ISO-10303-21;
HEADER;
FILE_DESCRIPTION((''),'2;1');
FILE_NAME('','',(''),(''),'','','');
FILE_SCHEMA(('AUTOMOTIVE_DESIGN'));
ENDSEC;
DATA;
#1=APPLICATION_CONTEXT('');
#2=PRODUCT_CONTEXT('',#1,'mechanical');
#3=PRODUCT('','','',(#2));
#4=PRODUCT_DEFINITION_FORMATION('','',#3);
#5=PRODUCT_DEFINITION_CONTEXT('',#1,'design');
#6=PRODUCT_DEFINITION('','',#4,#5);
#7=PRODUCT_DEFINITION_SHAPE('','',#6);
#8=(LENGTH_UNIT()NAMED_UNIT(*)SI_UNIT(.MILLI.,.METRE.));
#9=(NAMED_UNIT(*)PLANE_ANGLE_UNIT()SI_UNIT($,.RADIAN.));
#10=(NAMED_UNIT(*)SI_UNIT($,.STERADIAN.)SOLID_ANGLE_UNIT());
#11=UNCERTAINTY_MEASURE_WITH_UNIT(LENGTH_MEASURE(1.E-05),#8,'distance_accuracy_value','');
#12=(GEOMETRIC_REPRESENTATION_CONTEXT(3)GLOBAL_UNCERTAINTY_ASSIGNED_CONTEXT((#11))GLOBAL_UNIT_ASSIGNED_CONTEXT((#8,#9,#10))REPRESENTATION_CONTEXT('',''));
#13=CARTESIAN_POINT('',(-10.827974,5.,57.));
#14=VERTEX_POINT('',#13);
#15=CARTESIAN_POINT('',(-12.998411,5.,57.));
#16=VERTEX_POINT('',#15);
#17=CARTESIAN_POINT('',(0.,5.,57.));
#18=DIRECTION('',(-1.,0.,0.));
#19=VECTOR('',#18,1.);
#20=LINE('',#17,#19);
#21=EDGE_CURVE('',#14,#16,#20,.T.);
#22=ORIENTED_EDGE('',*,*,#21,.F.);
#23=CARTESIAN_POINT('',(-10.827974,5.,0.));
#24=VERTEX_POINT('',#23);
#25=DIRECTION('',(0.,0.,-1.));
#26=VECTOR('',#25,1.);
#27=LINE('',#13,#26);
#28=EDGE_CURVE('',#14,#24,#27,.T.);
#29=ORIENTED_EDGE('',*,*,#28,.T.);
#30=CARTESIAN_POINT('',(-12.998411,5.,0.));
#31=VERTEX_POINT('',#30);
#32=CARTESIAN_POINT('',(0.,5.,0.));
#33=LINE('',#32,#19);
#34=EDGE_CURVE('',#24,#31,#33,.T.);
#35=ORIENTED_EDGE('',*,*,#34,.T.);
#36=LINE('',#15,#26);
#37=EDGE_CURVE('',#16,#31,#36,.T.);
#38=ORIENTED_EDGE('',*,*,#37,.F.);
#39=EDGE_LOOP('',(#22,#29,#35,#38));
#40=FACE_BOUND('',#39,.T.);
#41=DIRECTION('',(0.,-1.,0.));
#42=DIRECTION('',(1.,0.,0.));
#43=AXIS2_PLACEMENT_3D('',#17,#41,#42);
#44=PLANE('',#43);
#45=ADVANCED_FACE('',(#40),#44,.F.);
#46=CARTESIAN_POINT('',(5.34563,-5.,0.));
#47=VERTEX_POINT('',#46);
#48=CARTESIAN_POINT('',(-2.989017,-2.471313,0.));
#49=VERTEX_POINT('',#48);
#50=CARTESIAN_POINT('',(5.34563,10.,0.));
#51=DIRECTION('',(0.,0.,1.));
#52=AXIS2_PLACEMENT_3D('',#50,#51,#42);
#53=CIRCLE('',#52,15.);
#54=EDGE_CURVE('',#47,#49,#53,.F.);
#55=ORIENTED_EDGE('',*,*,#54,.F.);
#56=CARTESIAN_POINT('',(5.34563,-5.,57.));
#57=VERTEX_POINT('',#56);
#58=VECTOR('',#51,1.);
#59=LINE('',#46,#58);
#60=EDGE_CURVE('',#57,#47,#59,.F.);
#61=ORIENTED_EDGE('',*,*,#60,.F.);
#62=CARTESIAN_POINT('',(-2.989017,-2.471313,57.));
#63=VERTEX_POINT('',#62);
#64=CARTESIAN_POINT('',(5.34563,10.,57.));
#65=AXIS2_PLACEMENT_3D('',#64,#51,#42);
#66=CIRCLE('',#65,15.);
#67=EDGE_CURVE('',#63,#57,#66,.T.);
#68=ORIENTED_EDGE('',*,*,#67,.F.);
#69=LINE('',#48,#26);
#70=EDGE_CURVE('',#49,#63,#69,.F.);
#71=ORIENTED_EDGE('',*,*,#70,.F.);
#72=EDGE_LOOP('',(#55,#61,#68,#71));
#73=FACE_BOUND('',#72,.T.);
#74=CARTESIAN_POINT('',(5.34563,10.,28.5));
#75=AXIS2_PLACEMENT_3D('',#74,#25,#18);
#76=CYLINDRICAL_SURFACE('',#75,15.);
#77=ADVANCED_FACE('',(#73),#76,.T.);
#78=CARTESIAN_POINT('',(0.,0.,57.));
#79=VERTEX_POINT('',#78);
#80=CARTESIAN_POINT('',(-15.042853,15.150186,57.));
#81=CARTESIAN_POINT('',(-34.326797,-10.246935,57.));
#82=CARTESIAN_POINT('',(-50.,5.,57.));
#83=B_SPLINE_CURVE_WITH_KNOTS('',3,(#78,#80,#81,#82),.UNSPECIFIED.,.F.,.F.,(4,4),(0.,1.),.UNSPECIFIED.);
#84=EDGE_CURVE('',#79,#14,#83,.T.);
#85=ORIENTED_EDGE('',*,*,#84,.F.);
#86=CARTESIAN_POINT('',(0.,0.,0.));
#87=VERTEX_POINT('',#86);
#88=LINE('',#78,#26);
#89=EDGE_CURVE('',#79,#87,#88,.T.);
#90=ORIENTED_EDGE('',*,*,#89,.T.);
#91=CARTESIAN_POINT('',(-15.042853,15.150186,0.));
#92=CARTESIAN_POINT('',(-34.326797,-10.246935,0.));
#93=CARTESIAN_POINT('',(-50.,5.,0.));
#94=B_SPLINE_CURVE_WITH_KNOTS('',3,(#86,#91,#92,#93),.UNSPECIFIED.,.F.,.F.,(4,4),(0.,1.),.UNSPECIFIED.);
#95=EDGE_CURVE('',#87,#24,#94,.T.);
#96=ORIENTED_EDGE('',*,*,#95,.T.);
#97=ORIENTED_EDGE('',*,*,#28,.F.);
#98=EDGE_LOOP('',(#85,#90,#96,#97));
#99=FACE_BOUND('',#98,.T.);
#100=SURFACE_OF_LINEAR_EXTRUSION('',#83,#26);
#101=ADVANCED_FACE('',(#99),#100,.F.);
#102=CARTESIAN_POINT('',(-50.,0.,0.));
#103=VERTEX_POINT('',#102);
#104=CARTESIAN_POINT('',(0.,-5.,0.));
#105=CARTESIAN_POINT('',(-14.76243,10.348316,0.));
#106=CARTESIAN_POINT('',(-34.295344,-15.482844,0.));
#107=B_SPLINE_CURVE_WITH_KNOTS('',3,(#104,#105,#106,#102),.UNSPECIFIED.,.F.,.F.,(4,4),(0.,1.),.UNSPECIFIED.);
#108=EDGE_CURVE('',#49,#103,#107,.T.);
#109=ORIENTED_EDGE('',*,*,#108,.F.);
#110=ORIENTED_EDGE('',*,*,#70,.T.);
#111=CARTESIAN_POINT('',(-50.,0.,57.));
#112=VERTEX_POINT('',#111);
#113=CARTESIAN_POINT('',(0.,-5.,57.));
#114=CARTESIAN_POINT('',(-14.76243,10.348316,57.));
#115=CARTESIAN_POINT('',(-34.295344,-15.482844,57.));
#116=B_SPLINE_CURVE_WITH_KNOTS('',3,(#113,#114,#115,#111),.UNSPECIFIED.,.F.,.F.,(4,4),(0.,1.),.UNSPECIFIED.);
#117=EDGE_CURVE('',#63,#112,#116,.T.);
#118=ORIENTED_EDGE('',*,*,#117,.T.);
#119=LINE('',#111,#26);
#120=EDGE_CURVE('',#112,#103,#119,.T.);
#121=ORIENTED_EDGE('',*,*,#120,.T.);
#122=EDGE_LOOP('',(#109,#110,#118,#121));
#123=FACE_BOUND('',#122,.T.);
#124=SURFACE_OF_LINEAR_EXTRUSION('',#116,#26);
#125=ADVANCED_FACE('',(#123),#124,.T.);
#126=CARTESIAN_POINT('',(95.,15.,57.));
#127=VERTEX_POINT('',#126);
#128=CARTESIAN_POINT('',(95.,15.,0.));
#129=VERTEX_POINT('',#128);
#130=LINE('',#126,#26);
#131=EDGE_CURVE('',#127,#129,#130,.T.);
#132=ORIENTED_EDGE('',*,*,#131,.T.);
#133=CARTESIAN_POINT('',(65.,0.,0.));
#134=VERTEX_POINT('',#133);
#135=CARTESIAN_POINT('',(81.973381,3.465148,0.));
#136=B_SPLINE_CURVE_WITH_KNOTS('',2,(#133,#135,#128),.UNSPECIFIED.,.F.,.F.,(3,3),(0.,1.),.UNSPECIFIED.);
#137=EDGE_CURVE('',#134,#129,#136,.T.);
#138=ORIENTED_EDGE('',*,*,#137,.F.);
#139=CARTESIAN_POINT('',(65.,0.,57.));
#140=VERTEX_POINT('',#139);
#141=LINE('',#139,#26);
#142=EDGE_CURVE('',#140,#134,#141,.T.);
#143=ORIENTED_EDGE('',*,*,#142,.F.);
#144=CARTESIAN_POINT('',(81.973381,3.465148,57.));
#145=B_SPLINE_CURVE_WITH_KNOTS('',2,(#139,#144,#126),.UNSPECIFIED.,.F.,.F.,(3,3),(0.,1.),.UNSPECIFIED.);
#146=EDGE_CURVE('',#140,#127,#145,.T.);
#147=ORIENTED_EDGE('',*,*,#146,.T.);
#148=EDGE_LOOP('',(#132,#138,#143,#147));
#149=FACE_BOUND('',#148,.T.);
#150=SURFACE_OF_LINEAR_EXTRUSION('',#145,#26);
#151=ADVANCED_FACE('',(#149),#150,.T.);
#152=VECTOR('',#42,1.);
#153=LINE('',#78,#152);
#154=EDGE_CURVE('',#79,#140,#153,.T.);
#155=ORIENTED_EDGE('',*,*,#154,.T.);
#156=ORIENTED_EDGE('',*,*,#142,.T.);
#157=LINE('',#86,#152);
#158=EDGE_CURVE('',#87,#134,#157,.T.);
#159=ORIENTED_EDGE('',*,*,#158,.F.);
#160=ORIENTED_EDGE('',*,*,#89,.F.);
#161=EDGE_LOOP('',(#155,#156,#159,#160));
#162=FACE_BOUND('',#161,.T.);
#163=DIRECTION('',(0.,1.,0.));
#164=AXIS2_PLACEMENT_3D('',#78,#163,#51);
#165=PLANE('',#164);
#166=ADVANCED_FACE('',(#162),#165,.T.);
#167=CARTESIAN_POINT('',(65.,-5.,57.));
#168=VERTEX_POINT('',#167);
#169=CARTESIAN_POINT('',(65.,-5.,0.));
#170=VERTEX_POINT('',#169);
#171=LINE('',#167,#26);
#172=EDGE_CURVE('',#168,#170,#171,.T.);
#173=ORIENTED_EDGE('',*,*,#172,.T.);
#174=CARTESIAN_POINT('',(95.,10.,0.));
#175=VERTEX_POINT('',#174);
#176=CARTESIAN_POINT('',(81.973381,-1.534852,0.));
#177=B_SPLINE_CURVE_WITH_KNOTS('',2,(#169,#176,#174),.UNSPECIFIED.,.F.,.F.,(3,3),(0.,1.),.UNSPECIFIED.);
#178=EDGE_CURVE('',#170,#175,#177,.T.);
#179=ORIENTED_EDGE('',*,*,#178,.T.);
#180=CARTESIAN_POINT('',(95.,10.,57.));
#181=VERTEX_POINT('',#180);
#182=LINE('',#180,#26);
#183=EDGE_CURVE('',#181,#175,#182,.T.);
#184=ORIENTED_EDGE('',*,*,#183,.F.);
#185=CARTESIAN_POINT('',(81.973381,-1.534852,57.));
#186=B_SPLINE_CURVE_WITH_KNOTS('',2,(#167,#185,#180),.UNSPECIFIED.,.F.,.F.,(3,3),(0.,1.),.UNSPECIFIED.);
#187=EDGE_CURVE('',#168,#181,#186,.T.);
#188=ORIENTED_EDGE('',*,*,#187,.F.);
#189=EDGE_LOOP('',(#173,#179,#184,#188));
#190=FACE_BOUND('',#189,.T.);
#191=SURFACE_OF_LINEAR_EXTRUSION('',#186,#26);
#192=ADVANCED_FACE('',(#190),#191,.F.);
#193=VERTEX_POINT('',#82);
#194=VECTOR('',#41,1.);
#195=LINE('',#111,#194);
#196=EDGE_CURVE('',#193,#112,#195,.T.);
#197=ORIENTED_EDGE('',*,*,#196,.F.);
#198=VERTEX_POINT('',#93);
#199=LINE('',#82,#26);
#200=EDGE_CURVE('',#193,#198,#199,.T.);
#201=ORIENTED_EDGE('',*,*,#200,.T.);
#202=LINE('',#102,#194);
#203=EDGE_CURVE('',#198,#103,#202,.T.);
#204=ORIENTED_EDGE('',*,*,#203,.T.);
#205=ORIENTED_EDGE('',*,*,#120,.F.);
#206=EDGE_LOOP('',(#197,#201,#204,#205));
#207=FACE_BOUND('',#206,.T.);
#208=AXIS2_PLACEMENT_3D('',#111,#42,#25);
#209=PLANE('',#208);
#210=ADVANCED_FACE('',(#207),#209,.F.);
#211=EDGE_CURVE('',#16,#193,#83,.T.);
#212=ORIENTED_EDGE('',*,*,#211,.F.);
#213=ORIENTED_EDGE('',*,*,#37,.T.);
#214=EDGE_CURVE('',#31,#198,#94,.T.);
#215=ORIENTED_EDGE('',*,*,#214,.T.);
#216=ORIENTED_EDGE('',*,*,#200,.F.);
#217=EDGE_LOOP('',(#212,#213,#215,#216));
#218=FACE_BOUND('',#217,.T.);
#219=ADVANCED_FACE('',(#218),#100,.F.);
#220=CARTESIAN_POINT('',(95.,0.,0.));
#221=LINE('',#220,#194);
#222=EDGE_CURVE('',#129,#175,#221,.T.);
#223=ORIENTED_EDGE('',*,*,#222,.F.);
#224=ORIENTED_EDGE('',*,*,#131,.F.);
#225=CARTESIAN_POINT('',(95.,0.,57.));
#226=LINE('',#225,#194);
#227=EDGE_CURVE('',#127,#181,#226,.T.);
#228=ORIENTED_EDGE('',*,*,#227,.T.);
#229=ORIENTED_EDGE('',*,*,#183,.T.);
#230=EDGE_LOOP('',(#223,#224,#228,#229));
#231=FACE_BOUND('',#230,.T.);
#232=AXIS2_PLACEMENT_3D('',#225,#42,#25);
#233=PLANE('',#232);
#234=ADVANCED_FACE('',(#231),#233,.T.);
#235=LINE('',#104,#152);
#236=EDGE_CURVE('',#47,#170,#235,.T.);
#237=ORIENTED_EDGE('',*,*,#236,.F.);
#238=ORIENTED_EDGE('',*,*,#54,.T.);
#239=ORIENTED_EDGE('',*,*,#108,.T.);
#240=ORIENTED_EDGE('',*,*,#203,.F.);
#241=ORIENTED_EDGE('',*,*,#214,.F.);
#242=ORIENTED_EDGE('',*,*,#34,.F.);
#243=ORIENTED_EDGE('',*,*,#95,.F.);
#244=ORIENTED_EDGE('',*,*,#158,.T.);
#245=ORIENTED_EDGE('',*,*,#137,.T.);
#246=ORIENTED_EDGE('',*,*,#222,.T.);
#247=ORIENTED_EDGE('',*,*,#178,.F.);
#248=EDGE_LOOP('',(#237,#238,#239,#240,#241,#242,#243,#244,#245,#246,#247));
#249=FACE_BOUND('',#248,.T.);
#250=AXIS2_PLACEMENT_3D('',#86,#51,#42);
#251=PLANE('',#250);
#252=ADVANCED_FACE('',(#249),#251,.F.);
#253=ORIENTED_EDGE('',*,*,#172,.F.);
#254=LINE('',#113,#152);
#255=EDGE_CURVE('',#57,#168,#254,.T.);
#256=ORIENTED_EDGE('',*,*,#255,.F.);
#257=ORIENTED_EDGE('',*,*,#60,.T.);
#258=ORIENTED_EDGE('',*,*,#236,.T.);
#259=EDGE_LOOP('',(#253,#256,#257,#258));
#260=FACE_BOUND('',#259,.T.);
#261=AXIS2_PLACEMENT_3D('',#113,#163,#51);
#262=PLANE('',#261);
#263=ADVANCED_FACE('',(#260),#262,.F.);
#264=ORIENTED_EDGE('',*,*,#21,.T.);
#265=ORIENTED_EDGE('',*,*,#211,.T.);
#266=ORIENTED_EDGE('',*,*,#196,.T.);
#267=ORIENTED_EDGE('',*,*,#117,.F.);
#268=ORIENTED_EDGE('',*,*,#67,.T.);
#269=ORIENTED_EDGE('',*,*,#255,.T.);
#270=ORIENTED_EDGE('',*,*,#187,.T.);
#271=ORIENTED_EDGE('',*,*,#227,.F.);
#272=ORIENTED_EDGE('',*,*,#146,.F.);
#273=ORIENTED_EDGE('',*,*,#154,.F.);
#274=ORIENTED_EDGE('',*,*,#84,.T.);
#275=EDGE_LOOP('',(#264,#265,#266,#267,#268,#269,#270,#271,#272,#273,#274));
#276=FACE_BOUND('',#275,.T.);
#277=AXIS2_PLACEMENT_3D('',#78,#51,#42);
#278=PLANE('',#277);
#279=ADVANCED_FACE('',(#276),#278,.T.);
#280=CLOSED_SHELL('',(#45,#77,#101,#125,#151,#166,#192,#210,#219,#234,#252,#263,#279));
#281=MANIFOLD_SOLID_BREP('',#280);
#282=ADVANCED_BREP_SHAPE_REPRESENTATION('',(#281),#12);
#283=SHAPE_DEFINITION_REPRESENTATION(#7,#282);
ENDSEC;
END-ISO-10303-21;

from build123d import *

# Parameters (mm, degrees)
BOSS_EXTRUDE1_DEPTH = 57
FILLET1_R           = 15


with BuildPart() as part:
    # Sketch1 → Boss-Extrude1 (new body)
    with BuildSketch(Plane.XY):
        with BuildLine():
            Line((65, 0), (0, 0))
            add(Edge.make_bspline(
                [(0, 0), (-3.420787062, 3.445195102), (-7.060889651, 4.793606126), (-10.827974412, 5)],
                knots=[0, 0, 0, 0, 0.227402819, 0.227402819, 0.227402819, 0.227402819], degree=3))
            Line((-10.827974412, 5), (-12.998410552, 5))
            add(Edge.make_bspline(
                [(-12.998410552, 5), (-25.222609251, 4.375360382), (-38.571253465, -6.117915944), (-50, 5)],
                knots=[0.270809768, 0.270809768, 0.270809768, 0.270809768, 1, 1, 1, 1], degree=3))
            Line((-50, 5), (-50, 0))
            add(Edge.make_bspline(
                [(0, -5), (-14.762430124, 10.348316204), (-34.295343775, -15.48284378), (-50, 0)],
                knots=[0, 0, 0, 0, 1, 1, 1, 1], degree=3))
            Line((0, -5), (65, -5))
            Line((65, -5), (65, 0))
        make_face()
        with BuildLine():
            Line((80, 0), (65, 0))
            Line((65, 0), (65, -5))
            add(Edge.make_bspline(
                [(65, -5), (72.93083611, -3.380904469), (80, 0)],
                knots=[0, 0, 0, 0.467251417, 0.467251417, 0.467251417], degree=2))
        make_face()
        with BuildLine():
            add(Edge.make_bspline(
                [(65, 0), (81.973380543, 3.465148466), (95, 15)],
                knots=[0, 0, 0, 1, 1, 1], degree=2))
            Line((65, 0), (80, 0))
            add(Edge.make_bspline(
                [(80, 0), (88.060086943, 3.85482419), (95, 10)],
                knots=[0.467251417, 0.467251417, 0.467251417, 1, 1, 1], degree=2))
            Line((95, 10), (95, 15))
        make_face()
    extrude(amount=BOSS_EXTRUDE1_DEPTH)

    # Fillet1
    fillet1_edges = [part.edges().sort_by_distance(p)[0] for p in [
        (0, -5, 28.5),
    ]]
    fillet(fillet1_edges, radius=FILLET1_R)


solid = part.part
